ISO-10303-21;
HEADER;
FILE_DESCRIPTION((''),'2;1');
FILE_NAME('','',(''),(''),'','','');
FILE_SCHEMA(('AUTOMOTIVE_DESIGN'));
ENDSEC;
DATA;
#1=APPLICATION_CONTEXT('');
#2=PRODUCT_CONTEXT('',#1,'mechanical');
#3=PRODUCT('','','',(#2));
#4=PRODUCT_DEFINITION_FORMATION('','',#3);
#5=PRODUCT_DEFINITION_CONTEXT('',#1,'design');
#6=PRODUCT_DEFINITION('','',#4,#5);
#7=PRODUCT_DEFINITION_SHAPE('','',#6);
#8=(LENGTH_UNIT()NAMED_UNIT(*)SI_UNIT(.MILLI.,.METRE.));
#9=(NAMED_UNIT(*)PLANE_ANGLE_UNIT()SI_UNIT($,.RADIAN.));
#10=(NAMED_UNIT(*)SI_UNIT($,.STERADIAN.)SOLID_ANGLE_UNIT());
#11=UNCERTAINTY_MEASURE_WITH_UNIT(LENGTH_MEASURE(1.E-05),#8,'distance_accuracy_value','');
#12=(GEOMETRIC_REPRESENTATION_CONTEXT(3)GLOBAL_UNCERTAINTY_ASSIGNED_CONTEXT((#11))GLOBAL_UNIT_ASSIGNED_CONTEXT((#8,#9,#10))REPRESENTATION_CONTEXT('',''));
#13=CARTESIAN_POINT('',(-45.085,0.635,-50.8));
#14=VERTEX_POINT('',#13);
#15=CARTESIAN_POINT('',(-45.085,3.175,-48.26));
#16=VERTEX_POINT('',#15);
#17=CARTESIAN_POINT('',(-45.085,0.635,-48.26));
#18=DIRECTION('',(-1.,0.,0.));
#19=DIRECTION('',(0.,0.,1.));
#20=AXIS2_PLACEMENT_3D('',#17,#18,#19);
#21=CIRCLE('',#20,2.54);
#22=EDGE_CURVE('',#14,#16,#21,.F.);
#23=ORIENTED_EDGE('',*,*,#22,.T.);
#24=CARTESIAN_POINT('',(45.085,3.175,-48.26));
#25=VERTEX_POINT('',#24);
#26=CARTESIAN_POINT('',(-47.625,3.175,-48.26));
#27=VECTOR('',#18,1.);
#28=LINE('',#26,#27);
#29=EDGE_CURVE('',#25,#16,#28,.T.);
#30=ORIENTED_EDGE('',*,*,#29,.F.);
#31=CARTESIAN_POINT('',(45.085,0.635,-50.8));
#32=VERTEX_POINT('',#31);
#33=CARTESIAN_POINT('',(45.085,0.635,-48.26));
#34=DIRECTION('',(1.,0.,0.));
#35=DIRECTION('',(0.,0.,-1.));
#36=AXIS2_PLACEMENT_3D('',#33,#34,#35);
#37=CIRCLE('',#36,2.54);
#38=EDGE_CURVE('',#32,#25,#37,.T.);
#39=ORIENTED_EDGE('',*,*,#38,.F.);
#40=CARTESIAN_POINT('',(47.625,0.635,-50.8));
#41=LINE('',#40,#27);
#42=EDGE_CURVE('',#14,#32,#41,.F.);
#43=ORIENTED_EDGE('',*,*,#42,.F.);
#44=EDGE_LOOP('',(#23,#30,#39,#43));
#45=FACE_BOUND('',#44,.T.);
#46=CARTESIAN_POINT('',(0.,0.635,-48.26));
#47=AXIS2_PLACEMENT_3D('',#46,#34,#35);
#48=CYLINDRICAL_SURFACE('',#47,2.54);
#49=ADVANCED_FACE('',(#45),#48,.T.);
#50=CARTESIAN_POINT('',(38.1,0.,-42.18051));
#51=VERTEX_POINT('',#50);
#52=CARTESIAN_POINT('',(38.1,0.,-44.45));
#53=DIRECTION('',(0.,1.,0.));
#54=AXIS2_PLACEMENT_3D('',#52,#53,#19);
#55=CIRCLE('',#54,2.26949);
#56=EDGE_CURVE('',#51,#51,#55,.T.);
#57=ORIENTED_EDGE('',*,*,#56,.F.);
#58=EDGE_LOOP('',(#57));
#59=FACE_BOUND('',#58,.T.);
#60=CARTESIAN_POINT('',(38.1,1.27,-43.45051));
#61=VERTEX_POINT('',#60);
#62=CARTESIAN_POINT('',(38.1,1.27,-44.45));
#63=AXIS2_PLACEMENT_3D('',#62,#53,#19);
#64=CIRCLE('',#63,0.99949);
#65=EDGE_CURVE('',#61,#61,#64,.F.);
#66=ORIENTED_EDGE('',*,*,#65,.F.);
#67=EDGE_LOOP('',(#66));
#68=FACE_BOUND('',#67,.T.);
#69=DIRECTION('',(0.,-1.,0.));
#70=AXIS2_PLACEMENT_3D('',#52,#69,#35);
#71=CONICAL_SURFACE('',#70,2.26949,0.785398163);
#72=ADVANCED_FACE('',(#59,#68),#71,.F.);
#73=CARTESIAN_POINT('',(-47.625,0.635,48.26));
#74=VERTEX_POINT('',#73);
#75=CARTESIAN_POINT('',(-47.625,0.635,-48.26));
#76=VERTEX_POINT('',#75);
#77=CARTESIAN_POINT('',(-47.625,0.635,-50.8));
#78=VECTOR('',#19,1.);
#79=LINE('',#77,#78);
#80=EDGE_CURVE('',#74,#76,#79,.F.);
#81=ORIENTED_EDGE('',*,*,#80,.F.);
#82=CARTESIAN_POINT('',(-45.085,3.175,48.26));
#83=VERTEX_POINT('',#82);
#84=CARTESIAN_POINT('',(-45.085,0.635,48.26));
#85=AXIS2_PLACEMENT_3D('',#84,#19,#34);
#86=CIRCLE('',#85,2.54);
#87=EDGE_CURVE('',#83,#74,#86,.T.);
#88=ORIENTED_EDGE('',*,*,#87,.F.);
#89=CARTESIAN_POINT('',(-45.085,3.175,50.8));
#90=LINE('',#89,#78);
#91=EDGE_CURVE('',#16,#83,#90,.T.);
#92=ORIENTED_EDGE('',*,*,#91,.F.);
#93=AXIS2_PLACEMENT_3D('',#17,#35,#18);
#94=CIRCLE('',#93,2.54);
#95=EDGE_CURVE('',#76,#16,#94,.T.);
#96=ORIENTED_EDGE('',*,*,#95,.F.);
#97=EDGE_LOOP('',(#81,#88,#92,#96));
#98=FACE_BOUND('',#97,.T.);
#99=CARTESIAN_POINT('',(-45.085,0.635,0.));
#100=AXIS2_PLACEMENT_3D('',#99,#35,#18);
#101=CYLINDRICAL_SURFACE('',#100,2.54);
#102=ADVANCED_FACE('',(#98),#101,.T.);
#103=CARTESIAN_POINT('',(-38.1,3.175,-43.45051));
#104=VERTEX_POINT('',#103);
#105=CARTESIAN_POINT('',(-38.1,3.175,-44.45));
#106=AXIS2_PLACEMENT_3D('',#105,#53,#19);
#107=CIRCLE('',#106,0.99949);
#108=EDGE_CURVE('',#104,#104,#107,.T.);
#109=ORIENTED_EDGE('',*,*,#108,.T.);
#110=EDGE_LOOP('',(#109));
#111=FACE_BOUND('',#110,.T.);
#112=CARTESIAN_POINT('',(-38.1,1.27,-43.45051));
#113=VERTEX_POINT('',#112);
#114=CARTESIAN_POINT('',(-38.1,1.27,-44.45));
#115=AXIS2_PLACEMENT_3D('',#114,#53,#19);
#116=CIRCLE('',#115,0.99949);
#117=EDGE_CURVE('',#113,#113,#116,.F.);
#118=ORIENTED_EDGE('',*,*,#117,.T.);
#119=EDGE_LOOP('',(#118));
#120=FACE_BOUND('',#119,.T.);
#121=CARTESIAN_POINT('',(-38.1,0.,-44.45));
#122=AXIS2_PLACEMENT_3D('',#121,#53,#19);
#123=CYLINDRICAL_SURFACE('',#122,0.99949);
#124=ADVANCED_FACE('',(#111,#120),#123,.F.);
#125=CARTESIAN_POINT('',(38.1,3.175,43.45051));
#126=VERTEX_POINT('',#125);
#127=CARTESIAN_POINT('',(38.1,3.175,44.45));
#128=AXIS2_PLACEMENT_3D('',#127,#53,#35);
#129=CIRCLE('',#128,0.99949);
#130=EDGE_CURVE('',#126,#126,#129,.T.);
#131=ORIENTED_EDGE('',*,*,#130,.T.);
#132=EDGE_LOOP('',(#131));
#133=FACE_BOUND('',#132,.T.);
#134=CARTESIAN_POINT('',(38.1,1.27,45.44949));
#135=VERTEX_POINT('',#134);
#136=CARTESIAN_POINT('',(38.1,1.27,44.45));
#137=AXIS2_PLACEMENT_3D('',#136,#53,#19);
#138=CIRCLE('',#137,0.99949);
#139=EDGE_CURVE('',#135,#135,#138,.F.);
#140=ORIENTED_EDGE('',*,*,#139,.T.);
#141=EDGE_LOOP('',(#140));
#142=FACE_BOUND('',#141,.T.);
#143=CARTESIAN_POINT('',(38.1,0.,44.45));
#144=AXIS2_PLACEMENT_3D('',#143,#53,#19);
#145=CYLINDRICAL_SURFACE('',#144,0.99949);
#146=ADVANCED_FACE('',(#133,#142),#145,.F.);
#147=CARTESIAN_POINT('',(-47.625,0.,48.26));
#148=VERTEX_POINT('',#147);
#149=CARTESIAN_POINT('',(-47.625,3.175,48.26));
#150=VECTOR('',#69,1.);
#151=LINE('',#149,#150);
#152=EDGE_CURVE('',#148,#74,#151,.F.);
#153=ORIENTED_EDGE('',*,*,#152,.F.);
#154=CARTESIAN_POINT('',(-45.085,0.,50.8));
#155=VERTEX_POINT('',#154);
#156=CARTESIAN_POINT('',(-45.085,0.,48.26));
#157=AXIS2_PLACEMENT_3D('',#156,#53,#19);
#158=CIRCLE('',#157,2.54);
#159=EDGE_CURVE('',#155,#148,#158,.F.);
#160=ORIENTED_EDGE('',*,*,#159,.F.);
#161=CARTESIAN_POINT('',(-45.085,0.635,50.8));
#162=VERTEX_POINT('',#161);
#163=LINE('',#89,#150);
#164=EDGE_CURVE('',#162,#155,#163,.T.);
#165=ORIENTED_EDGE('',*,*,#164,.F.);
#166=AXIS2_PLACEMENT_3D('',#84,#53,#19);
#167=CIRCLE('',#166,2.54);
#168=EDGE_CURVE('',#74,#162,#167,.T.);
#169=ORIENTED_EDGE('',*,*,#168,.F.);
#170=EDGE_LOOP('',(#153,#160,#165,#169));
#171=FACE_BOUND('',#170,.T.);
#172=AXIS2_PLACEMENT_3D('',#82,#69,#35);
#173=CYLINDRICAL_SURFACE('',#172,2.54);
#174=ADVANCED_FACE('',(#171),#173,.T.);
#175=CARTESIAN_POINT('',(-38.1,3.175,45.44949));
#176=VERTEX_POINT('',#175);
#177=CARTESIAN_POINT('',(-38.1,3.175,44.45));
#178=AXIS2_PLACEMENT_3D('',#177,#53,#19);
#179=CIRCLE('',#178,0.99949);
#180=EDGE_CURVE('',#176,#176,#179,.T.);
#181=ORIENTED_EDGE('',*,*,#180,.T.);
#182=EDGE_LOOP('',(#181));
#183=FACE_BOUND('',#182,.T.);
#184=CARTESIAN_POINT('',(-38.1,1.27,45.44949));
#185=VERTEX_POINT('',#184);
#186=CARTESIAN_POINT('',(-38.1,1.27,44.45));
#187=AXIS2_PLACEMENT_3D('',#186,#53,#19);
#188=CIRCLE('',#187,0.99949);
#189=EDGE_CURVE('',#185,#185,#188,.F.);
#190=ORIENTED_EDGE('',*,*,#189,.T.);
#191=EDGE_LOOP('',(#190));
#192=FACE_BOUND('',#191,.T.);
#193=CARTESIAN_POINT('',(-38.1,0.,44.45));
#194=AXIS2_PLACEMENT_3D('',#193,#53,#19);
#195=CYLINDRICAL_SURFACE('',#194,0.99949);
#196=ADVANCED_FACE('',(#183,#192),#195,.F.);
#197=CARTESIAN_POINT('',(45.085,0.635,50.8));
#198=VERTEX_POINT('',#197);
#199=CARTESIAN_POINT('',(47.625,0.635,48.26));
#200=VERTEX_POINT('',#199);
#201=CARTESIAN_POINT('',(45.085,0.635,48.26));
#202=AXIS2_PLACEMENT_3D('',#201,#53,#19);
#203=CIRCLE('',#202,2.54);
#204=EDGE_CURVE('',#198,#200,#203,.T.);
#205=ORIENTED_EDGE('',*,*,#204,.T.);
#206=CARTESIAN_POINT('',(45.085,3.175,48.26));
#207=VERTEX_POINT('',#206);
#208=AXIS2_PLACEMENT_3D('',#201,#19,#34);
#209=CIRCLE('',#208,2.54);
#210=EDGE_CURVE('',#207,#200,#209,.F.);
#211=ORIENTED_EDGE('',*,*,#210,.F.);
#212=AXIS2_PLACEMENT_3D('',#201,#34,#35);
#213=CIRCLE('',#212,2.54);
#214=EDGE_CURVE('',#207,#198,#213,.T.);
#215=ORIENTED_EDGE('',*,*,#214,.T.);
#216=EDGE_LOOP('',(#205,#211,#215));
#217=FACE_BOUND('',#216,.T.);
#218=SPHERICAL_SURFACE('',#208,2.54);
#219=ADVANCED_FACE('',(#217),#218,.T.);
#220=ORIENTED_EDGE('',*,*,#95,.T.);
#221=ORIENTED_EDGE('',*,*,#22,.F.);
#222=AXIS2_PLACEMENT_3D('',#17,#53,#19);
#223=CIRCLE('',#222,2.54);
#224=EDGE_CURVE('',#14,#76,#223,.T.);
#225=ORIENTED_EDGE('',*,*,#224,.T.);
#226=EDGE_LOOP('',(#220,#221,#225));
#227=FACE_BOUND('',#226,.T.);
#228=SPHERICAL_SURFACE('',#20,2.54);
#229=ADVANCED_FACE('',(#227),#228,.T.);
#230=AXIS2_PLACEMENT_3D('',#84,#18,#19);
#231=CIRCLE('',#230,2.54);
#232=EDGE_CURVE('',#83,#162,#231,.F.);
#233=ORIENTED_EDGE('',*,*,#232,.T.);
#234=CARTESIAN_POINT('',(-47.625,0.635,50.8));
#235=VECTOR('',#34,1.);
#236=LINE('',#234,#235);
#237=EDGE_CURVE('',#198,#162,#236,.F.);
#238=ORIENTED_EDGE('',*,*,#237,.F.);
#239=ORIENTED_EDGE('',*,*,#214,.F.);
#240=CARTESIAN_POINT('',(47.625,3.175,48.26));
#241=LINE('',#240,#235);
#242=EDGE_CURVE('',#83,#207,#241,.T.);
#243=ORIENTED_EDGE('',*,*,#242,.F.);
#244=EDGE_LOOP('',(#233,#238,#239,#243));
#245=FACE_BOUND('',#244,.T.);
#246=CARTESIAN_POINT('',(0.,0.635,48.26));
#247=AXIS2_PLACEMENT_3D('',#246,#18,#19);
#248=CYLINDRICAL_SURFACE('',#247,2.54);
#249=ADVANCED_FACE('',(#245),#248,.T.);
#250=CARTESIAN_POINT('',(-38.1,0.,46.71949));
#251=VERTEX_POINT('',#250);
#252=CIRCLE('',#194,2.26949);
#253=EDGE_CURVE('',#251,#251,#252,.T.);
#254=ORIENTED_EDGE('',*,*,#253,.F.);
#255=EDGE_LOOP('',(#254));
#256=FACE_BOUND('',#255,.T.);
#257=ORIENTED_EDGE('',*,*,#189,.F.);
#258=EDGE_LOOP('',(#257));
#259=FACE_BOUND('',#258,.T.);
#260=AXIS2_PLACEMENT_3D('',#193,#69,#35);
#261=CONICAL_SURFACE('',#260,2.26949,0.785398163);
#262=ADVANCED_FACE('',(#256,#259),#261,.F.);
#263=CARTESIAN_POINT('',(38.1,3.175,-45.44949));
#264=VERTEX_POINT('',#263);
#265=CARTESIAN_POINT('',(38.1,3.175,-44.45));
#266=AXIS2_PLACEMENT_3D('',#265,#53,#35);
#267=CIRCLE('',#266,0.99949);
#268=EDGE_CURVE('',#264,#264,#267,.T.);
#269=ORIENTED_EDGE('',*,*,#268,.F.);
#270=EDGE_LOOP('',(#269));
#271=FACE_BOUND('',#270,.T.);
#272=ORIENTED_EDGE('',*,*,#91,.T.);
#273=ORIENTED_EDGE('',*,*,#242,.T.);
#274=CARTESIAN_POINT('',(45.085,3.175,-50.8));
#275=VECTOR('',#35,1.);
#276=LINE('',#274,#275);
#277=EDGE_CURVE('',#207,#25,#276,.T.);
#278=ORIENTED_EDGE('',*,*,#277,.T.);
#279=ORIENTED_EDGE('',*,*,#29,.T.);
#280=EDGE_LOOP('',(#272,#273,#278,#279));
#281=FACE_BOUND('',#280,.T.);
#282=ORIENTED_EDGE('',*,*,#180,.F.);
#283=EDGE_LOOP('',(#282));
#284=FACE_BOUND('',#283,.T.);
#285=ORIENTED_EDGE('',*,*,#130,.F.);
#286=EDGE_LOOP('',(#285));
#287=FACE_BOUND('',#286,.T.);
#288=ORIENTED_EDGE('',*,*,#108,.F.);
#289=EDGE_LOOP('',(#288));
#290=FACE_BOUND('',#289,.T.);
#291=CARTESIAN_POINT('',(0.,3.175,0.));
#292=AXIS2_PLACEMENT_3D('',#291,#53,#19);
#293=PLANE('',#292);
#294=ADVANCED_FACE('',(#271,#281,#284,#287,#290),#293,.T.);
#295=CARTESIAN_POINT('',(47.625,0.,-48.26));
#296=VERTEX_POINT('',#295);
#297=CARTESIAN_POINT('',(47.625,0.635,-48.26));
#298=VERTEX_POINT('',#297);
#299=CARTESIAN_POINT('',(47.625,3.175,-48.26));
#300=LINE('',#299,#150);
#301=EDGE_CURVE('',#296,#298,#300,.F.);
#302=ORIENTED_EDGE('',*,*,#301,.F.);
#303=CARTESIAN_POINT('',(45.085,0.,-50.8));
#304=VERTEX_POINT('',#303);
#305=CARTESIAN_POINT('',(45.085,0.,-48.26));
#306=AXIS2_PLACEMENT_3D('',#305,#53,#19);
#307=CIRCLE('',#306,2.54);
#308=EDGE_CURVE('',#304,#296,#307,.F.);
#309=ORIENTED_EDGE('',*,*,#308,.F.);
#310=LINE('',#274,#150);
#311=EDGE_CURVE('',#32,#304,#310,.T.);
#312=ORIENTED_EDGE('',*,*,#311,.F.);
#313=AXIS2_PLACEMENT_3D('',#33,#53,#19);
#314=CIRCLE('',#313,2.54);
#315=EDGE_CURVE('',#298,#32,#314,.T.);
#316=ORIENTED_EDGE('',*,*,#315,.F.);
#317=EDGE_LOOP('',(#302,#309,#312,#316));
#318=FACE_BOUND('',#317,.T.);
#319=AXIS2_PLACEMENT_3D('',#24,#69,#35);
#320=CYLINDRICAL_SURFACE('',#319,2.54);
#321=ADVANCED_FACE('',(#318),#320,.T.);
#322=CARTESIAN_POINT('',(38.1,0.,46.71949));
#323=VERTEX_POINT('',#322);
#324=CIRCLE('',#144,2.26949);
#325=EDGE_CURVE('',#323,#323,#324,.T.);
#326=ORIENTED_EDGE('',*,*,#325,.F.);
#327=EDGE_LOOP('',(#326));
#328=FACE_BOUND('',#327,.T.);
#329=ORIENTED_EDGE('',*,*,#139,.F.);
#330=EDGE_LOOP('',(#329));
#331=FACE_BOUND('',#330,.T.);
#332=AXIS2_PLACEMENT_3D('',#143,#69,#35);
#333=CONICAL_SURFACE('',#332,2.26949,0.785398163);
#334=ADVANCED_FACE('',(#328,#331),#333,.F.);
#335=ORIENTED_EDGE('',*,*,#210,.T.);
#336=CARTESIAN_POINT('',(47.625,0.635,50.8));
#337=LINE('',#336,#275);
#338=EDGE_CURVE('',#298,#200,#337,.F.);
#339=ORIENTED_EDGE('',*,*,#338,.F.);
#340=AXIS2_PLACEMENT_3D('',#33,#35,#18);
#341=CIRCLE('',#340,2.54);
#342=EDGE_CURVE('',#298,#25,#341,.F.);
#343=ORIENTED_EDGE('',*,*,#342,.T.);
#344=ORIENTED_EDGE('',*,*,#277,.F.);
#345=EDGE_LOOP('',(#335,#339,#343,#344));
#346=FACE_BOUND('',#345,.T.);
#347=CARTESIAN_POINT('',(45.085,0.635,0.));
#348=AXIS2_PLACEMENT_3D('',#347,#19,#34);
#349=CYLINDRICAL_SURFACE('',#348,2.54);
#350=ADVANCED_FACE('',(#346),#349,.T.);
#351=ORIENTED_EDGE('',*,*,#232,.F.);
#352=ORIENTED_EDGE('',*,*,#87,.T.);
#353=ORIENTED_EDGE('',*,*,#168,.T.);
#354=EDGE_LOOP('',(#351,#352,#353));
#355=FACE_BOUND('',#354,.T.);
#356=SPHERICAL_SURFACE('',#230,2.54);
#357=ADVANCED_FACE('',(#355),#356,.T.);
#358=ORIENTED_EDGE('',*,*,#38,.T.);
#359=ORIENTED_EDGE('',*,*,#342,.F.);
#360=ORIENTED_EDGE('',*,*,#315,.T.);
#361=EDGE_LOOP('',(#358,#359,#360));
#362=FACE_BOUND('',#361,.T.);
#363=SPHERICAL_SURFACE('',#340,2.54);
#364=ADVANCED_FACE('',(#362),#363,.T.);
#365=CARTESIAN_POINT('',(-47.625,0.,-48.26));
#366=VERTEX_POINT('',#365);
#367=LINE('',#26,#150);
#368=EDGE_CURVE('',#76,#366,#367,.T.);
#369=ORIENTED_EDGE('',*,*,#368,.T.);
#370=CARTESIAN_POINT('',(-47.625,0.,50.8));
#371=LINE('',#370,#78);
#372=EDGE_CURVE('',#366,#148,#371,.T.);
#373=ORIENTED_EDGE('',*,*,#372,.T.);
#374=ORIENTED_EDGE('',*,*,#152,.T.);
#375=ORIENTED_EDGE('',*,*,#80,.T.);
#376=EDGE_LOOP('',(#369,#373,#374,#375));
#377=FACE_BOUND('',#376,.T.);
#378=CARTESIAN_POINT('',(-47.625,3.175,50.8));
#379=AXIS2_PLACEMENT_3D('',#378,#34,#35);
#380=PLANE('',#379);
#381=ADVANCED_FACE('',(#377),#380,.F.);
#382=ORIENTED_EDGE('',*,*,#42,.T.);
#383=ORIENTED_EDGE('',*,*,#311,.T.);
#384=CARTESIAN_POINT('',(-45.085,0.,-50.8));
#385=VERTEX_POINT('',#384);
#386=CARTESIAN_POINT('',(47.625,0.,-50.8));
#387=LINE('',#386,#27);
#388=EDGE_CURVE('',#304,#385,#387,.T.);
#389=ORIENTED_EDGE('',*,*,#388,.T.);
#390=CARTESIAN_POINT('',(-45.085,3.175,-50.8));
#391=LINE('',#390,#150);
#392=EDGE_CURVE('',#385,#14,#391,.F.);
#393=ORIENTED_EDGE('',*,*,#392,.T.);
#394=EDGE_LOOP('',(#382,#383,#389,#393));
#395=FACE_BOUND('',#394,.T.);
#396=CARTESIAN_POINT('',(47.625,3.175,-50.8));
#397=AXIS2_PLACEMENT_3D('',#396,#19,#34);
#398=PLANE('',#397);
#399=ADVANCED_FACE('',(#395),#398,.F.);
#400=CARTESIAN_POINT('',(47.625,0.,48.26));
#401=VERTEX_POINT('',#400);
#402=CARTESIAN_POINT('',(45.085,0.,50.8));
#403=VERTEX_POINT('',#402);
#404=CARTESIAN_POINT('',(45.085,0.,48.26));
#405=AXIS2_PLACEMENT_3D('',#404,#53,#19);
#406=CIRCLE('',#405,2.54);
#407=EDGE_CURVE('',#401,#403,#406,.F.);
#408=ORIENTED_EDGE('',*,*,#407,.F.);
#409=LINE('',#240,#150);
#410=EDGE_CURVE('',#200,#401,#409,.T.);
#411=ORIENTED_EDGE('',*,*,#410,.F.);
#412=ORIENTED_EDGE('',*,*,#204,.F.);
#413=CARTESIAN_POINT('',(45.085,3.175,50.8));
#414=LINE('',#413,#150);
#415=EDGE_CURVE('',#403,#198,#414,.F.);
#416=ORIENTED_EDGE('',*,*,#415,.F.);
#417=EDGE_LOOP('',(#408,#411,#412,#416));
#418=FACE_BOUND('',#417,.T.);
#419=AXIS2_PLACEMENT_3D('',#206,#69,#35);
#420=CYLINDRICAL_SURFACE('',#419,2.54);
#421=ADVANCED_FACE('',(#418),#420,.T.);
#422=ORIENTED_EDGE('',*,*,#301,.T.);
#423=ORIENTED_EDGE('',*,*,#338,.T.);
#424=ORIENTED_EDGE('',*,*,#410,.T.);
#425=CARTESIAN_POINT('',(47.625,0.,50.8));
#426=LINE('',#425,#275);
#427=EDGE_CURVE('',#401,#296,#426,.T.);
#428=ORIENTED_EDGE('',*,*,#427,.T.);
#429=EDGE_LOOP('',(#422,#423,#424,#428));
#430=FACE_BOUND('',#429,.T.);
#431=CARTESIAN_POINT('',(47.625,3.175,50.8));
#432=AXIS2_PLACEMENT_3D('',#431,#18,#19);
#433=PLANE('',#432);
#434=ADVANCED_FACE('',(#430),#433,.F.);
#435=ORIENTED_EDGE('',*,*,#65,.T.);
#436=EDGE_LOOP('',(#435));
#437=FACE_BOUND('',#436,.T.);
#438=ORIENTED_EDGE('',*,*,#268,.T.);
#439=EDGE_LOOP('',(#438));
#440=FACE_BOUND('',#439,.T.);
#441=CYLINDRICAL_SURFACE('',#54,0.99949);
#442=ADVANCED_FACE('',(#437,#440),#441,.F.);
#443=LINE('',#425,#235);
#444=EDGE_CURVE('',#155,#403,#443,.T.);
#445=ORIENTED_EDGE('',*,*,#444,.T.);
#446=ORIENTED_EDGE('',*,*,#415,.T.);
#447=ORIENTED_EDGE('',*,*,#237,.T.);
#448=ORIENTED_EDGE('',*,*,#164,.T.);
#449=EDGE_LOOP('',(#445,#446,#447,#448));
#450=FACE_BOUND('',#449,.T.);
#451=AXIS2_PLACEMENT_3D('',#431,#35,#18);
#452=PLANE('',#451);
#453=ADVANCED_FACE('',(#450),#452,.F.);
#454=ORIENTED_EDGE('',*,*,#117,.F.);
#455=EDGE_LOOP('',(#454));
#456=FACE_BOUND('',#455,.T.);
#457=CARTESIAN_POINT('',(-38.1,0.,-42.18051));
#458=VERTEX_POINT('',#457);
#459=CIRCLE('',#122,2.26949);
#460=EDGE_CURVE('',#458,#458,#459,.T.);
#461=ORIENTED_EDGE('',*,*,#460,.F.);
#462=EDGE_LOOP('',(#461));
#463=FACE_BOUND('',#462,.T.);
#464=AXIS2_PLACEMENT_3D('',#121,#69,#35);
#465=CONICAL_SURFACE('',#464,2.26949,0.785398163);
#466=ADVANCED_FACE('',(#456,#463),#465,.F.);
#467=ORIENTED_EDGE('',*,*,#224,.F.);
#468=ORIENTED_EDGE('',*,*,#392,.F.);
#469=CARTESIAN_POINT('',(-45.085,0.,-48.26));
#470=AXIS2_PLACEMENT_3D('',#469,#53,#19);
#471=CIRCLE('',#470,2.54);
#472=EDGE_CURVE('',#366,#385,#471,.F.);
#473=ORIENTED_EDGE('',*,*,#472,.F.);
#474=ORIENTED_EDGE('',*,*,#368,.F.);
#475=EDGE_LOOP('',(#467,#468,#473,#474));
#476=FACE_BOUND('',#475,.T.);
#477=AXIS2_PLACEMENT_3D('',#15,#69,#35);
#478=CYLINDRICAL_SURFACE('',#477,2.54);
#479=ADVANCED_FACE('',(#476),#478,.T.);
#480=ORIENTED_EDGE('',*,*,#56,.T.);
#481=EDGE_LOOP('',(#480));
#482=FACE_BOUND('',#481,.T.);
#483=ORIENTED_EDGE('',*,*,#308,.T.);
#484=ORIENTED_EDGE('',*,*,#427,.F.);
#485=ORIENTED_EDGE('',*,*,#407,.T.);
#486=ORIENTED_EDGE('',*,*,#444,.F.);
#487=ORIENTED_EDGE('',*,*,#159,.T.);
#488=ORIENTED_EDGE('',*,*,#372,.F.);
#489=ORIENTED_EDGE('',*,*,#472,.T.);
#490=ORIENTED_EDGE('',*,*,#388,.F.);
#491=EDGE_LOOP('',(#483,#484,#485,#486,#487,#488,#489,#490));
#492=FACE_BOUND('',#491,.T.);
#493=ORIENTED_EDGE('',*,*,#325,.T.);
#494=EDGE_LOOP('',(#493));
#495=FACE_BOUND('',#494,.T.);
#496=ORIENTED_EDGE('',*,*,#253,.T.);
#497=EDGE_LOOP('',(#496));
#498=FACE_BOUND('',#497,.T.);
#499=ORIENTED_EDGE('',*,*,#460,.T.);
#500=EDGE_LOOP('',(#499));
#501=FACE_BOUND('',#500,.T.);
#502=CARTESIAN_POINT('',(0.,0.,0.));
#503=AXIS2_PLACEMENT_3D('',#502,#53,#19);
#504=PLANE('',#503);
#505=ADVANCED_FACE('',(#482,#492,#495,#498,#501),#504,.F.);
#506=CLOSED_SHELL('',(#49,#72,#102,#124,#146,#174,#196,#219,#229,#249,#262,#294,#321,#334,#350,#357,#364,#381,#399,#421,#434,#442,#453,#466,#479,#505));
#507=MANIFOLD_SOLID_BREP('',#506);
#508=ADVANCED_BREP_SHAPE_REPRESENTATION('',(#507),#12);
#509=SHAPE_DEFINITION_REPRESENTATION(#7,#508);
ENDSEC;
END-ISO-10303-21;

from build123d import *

# Parameters (mm, degrees)
SKETCH1_W           = 95.25
SKETCH1_H           = 101.6
BOSS_EXTRUDE1_DEPTH = 3.175
SKETCH5_R           = 0.99949
CUT_EXTRUDE3_DEPTH  = 3.175
CIRPATTERN3_COUNT   = 2
FILLET1_R           = 2.54
CHAMFER1_SIZE       = 1.27


with BuildPart() as part:
    # Sketch1 → Boss-Extrude1 (new body)
    with BuildSketch(Plane(origin=(0, 0, 0), x_dir=(1, 0, 0), z_dir=(0, 1, 0))):
        Rectangle(SKETCH1_W, SKETCH1_H)
    extrude(amount=BOSS_EXTRUDE1_DEPTH)

    # Sketch5 → Cut-Extrude3 (cut)
    with BuildSketch(Plane(origin=(0, 3.175, 0), x_dir=(1, 0, 0), z_dir=(0, 1, 0))):
        with Locations((-38.1, -44.45)):
            Circle(SKETCH5_R)
        with Locations((38.1, -44.45)):
            Circle(SKETCH5_R)
    cut_extrude3 = extrude(amount=-CUT_EXTRUDE3_DEPTH, mode=Mode.SUBTRACT)

    # CirPattern3: Cut-Extrude3 ×2 about axis
    cirpattern3_axis = Axis((0, 3.33375, 0), (0, -1, 0))
    for i in range(1, CIRPATTERN3_COUNT):
        add(cut_extrude3.rotate(cirpattern3_axis, i * 360 / CIRPATTERN3_COUNT), mode=Mode.SUBTRACT)

    # Fillet1
    fillet1_edges = [part.edges().sort_by_distance(p)[0] for p in [
        (47.625, 3.175, 0),
        (0, 3.175, 50.8),
        (-47.625, 3.175, 0),
        (0, 3.175, -50.8),
        (-47.625, 1.5875, -50.8),
        (47.625, 1.5875, -50.8),
        (47.625, 1.5875, 50.8),
        (-47.625, 1.5875, 50.8),
    ]]
    fillet(fillet1_edges, radius=FILLET1_R)

    # Chamfer1
    chamfer1_edges = [part.edges().sort_by_distance(p)[0] for p in [
        (39.09949, 0, -44.45),
        (-37.10051, 0, -44.45),
        (-39.09949, 0, 44.45),
        (37.10051, 0, 44.45),
    ]]
    chamfer(chamfer1_edges, length=CHAMFER1_SIZE)


solid = part.part
